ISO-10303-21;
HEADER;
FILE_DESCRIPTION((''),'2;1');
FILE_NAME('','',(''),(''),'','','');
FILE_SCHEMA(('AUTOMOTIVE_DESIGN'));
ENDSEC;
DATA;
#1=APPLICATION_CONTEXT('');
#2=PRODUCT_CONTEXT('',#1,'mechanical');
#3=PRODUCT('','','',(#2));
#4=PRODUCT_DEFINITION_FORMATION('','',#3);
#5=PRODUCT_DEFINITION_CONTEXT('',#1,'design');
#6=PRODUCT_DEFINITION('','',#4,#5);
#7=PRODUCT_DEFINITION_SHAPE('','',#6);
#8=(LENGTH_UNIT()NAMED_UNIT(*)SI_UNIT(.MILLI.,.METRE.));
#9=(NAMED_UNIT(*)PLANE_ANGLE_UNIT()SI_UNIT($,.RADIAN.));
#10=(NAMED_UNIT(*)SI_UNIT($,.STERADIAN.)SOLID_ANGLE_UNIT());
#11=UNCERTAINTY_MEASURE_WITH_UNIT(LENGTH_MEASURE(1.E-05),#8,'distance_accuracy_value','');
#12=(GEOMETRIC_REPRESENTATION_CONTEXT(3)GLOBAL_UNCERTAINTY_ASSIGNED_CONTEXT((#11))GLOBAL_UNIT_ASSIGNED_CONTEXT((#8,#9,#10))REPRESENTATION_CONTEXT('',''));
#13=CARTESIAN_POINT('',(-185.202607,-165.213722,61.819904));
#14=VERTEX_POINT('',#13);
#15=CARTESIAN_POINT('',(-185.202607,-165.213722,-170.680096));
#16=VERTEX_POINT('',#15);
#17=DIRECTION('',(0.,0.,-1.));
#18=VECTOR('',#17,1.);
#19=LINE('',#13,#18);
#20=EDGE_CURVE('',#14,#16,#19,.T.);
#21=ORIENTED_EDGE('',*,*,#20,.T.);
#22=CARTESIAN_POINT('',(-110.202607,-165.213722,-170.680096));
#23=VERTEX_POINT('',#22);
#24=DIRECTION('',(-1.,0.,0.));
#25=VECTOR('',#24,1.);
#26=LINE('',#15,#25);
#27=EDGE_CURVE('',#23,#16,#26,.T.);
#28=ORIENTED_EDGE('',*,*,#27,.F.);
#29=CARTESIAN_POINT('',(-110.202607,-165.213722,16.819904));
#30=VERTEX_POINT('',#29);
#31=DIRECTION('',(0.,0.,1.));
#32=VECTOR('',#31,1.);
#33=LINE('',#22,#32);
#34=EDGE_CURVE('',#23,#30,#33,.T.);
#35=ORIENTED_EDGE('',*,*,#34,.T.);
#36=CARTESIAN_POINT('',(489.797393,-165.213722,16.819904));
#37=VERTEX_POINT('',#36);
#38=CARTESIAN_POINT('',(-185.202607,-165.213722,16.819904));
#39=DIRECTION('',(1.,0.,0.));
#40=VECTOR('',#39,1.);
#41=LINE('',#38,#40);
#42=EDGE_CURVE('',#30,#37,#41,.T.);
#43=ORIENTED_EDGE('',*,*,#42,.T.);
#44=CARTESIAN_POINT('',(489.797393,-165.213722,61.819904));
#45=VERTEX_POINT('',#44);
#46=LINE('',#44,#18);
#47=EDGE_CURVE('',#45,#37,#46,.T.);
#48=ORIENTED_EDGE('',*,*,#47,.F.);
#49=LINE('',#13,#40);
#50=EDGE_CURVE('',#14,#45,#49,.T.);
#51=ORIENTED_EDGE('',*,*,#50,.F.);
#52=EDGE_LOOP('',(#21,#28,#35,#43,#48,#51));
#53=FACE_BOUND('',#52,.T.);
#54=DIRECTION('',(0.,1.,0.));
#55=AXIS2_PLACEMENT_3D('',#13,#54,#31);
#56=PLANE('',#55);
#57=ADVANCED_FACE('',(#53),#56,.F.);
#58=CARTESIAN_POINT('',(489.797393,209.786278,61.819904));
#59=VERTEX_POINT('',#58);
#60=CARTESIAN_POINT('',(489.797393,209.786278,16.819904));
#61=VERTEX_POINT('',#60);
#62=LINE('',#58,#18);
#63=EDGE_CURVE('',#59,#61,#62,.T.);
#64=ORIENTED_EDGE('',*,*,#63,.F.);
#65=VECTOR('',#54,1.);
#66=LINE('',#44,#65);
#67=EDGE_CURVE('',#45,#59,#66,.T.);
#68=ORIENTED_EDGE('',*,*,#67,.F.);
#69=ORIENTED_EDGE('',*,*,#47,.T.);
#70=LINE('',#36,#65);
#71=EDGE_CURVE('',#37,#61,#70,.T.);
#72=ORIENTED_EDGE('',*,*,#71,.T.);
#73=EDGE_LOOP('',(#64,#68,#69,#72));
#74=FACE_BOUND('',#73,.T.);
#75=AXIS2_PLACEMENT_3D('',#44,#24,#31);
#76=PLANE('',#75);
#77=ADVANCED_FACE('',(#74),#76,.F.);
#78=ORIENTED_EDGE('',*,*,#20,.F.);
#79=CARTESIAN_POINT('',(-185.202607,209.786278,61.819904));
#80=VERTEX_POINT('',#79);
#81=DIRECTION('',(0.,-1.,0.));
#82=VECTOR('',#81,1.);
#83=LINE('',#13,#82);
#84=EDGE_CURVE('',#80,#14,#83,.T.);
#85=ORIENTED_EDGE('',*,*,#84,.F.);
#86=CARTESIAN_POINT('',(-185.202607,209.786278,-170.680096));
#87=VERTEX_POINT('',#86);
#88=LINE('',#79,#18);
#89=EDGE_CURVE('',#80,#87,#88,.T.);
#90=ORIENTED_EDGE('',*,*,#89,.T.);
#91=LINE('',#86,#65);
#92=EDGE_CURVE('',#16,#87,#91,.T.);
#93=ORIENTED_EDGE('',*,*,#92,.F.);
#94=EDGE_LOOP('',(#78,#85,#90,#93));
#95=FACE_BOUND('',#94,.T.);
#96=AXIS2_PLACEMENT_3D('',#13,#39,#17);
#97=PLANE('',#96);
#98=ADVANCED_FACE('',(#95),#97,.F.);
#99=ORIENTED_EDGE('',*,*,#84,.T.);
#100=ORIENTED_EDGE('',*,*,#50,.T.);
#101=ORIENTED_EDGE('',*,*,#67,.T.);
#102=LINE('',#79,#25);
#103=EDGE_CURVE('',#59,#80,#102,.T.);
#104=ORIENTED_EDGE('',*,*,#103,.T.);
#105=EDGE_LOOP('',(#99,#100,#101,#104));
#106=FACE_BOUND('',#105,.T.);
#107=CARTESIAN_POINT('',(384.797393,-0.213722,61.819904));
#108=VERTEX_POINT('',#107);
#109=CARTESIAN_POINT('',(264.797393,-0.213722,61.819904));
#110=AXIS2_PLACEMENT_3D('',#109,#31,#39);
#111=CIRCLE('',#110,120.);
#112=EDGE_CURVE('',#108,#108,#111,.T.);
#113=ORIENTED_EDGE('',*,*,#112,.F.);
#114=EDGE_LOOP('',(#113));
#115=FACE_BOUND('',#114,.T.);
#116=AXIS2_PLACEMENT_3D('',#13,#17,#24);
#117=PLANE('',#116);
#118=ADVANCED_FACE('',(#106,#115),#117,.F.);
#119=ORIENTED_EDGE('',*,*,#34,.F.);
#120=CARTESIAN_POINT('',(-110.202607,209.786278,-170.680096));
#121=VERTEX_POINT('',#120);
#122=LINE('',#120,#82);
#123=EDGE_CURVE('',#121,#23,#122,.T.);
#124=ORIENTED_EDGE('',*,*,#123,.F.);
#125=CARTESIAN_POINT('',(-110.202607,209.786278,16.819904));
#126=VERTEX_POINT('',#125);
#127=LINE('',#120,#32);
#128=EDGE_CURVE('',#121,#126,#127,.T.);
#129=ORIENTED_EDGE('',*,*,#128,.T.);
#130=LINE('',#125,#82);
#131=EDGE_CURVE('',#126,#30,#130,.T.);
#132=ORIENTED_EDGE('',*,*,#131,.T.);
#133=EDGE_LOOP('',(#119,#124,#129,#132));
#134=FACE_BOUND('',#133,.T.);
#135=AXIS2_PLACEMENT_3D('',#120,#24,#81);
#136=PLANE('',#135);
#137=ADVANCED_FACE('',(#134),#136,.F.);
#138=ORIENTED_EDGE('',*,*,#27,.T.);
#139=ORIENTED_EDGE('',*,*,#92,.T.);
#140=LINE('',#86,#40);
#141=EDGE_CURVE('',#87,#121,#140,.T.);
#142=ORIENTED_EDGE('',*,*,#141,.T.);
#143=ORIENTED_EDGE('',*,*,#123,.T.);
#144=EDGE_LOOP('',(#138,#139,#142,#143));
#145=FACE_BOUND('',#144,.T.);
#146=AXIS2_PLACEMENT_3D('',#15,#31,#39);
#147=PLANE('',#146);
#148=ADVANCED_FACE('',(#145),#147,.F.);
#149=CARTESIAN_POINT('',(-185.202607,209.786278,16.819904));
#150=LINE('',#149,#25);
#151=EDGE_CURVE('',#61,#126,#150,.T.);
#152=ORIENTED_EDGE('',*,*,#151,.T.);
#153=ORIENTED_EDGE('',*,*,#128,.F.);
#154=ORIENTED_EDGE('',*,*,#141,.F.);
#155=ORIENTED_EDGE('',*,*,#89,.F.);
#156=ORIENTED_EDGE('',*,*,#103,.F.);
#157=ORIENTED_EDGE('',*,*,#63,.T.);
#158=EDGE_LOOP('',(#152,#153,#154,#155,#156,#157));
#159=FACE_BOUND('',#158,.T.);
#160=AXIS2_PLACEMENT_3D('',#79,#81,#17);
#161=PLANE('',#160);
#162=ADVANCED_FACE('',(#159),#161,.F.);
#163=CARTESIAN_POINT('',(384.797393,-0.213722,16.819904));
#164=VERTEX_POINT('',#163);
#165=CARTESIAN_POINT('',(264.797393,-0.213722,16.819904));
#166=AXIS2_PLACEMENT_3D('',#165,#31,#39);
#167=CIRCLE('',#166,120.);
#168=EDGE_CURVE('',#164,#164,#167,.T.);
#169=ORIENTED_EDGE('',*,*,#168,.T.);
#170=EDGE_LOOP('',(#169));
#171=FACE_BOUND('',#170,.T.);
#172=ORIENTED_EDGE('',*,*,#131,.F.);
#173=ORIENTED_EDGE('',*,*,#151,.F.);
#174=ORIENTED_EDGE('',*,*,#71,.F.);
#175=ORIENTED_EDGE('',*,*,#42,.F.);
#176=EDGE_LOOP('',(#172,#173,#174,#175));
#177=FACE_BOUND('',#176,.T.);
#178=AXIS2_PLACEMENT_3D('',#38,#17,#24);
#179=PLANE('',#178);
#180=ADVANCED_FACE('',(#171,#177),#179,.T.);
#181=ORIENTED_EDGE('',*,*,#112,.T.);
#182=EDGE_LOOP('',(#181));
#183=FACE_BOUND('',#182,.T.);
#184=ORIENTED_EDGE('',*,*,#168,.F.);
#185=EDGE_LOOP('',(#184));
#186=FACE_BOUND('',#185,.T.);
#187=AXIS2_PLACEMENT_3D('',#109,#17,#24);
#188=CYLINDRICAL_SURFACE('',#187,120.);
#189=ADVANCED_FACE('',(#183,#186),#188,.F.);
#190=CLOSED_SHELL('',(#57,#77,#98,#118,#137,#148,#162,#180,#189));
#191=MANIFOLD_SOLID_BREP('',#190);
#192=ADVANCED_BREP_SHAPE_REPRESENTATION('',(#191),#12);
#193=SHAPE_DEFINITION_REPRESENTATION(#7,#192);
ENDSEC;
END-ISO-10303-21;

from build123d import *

# Parameters (mm, degrees)
SKETCH1_W           = 90
SKETCH1_H           = 50
SKETCH1_R           = 16
BOSS_EXTRUDE1_DEPTH = 6
SKETCH3_W           = 10
SKETCH3_H           = 50
BOSS_EXTRUDE2_DEPTH = 25
SCALE1_SCALE        = 7.5


with BuildPart() as part:
    # Sketch1 → Boss-Extrude1 (new body)
    with BuildSketch(Plane.XY):
        with Locations((45, 25)):
            Rectangle(SKETCH1_W, SKETCH1_H)
        with Locations((60, 22)):
            Circle(SKETCH1_R, mode=Mode.SUBTRACT)
    extrude(amount=BOSS_EXTRUDE1_DEPTH)

    # Sketch3 → Boss-Extrude2 (add)
    with BuildSketch(Plane(origin=(0, 0, 0), x_dir=(-1, 0, 0), z_dir=(0, 0, -1))):
        with Locations((-5, 25)):
            Rectangle(SKETCH3_W, SKETCH3_H)
    extrude(amount=BOSS_EXTRUDE2_DEPTH)


with BuildPart() as part_1:
    # Scale1: scaled about (28.492708796, 25.417495659, -2.587677502)
    add(part.part.scale(SCALE1_SCALE).moved(Location((-185.202607174, -165.213721784, 16.819903763))))


solid = part_1.part
